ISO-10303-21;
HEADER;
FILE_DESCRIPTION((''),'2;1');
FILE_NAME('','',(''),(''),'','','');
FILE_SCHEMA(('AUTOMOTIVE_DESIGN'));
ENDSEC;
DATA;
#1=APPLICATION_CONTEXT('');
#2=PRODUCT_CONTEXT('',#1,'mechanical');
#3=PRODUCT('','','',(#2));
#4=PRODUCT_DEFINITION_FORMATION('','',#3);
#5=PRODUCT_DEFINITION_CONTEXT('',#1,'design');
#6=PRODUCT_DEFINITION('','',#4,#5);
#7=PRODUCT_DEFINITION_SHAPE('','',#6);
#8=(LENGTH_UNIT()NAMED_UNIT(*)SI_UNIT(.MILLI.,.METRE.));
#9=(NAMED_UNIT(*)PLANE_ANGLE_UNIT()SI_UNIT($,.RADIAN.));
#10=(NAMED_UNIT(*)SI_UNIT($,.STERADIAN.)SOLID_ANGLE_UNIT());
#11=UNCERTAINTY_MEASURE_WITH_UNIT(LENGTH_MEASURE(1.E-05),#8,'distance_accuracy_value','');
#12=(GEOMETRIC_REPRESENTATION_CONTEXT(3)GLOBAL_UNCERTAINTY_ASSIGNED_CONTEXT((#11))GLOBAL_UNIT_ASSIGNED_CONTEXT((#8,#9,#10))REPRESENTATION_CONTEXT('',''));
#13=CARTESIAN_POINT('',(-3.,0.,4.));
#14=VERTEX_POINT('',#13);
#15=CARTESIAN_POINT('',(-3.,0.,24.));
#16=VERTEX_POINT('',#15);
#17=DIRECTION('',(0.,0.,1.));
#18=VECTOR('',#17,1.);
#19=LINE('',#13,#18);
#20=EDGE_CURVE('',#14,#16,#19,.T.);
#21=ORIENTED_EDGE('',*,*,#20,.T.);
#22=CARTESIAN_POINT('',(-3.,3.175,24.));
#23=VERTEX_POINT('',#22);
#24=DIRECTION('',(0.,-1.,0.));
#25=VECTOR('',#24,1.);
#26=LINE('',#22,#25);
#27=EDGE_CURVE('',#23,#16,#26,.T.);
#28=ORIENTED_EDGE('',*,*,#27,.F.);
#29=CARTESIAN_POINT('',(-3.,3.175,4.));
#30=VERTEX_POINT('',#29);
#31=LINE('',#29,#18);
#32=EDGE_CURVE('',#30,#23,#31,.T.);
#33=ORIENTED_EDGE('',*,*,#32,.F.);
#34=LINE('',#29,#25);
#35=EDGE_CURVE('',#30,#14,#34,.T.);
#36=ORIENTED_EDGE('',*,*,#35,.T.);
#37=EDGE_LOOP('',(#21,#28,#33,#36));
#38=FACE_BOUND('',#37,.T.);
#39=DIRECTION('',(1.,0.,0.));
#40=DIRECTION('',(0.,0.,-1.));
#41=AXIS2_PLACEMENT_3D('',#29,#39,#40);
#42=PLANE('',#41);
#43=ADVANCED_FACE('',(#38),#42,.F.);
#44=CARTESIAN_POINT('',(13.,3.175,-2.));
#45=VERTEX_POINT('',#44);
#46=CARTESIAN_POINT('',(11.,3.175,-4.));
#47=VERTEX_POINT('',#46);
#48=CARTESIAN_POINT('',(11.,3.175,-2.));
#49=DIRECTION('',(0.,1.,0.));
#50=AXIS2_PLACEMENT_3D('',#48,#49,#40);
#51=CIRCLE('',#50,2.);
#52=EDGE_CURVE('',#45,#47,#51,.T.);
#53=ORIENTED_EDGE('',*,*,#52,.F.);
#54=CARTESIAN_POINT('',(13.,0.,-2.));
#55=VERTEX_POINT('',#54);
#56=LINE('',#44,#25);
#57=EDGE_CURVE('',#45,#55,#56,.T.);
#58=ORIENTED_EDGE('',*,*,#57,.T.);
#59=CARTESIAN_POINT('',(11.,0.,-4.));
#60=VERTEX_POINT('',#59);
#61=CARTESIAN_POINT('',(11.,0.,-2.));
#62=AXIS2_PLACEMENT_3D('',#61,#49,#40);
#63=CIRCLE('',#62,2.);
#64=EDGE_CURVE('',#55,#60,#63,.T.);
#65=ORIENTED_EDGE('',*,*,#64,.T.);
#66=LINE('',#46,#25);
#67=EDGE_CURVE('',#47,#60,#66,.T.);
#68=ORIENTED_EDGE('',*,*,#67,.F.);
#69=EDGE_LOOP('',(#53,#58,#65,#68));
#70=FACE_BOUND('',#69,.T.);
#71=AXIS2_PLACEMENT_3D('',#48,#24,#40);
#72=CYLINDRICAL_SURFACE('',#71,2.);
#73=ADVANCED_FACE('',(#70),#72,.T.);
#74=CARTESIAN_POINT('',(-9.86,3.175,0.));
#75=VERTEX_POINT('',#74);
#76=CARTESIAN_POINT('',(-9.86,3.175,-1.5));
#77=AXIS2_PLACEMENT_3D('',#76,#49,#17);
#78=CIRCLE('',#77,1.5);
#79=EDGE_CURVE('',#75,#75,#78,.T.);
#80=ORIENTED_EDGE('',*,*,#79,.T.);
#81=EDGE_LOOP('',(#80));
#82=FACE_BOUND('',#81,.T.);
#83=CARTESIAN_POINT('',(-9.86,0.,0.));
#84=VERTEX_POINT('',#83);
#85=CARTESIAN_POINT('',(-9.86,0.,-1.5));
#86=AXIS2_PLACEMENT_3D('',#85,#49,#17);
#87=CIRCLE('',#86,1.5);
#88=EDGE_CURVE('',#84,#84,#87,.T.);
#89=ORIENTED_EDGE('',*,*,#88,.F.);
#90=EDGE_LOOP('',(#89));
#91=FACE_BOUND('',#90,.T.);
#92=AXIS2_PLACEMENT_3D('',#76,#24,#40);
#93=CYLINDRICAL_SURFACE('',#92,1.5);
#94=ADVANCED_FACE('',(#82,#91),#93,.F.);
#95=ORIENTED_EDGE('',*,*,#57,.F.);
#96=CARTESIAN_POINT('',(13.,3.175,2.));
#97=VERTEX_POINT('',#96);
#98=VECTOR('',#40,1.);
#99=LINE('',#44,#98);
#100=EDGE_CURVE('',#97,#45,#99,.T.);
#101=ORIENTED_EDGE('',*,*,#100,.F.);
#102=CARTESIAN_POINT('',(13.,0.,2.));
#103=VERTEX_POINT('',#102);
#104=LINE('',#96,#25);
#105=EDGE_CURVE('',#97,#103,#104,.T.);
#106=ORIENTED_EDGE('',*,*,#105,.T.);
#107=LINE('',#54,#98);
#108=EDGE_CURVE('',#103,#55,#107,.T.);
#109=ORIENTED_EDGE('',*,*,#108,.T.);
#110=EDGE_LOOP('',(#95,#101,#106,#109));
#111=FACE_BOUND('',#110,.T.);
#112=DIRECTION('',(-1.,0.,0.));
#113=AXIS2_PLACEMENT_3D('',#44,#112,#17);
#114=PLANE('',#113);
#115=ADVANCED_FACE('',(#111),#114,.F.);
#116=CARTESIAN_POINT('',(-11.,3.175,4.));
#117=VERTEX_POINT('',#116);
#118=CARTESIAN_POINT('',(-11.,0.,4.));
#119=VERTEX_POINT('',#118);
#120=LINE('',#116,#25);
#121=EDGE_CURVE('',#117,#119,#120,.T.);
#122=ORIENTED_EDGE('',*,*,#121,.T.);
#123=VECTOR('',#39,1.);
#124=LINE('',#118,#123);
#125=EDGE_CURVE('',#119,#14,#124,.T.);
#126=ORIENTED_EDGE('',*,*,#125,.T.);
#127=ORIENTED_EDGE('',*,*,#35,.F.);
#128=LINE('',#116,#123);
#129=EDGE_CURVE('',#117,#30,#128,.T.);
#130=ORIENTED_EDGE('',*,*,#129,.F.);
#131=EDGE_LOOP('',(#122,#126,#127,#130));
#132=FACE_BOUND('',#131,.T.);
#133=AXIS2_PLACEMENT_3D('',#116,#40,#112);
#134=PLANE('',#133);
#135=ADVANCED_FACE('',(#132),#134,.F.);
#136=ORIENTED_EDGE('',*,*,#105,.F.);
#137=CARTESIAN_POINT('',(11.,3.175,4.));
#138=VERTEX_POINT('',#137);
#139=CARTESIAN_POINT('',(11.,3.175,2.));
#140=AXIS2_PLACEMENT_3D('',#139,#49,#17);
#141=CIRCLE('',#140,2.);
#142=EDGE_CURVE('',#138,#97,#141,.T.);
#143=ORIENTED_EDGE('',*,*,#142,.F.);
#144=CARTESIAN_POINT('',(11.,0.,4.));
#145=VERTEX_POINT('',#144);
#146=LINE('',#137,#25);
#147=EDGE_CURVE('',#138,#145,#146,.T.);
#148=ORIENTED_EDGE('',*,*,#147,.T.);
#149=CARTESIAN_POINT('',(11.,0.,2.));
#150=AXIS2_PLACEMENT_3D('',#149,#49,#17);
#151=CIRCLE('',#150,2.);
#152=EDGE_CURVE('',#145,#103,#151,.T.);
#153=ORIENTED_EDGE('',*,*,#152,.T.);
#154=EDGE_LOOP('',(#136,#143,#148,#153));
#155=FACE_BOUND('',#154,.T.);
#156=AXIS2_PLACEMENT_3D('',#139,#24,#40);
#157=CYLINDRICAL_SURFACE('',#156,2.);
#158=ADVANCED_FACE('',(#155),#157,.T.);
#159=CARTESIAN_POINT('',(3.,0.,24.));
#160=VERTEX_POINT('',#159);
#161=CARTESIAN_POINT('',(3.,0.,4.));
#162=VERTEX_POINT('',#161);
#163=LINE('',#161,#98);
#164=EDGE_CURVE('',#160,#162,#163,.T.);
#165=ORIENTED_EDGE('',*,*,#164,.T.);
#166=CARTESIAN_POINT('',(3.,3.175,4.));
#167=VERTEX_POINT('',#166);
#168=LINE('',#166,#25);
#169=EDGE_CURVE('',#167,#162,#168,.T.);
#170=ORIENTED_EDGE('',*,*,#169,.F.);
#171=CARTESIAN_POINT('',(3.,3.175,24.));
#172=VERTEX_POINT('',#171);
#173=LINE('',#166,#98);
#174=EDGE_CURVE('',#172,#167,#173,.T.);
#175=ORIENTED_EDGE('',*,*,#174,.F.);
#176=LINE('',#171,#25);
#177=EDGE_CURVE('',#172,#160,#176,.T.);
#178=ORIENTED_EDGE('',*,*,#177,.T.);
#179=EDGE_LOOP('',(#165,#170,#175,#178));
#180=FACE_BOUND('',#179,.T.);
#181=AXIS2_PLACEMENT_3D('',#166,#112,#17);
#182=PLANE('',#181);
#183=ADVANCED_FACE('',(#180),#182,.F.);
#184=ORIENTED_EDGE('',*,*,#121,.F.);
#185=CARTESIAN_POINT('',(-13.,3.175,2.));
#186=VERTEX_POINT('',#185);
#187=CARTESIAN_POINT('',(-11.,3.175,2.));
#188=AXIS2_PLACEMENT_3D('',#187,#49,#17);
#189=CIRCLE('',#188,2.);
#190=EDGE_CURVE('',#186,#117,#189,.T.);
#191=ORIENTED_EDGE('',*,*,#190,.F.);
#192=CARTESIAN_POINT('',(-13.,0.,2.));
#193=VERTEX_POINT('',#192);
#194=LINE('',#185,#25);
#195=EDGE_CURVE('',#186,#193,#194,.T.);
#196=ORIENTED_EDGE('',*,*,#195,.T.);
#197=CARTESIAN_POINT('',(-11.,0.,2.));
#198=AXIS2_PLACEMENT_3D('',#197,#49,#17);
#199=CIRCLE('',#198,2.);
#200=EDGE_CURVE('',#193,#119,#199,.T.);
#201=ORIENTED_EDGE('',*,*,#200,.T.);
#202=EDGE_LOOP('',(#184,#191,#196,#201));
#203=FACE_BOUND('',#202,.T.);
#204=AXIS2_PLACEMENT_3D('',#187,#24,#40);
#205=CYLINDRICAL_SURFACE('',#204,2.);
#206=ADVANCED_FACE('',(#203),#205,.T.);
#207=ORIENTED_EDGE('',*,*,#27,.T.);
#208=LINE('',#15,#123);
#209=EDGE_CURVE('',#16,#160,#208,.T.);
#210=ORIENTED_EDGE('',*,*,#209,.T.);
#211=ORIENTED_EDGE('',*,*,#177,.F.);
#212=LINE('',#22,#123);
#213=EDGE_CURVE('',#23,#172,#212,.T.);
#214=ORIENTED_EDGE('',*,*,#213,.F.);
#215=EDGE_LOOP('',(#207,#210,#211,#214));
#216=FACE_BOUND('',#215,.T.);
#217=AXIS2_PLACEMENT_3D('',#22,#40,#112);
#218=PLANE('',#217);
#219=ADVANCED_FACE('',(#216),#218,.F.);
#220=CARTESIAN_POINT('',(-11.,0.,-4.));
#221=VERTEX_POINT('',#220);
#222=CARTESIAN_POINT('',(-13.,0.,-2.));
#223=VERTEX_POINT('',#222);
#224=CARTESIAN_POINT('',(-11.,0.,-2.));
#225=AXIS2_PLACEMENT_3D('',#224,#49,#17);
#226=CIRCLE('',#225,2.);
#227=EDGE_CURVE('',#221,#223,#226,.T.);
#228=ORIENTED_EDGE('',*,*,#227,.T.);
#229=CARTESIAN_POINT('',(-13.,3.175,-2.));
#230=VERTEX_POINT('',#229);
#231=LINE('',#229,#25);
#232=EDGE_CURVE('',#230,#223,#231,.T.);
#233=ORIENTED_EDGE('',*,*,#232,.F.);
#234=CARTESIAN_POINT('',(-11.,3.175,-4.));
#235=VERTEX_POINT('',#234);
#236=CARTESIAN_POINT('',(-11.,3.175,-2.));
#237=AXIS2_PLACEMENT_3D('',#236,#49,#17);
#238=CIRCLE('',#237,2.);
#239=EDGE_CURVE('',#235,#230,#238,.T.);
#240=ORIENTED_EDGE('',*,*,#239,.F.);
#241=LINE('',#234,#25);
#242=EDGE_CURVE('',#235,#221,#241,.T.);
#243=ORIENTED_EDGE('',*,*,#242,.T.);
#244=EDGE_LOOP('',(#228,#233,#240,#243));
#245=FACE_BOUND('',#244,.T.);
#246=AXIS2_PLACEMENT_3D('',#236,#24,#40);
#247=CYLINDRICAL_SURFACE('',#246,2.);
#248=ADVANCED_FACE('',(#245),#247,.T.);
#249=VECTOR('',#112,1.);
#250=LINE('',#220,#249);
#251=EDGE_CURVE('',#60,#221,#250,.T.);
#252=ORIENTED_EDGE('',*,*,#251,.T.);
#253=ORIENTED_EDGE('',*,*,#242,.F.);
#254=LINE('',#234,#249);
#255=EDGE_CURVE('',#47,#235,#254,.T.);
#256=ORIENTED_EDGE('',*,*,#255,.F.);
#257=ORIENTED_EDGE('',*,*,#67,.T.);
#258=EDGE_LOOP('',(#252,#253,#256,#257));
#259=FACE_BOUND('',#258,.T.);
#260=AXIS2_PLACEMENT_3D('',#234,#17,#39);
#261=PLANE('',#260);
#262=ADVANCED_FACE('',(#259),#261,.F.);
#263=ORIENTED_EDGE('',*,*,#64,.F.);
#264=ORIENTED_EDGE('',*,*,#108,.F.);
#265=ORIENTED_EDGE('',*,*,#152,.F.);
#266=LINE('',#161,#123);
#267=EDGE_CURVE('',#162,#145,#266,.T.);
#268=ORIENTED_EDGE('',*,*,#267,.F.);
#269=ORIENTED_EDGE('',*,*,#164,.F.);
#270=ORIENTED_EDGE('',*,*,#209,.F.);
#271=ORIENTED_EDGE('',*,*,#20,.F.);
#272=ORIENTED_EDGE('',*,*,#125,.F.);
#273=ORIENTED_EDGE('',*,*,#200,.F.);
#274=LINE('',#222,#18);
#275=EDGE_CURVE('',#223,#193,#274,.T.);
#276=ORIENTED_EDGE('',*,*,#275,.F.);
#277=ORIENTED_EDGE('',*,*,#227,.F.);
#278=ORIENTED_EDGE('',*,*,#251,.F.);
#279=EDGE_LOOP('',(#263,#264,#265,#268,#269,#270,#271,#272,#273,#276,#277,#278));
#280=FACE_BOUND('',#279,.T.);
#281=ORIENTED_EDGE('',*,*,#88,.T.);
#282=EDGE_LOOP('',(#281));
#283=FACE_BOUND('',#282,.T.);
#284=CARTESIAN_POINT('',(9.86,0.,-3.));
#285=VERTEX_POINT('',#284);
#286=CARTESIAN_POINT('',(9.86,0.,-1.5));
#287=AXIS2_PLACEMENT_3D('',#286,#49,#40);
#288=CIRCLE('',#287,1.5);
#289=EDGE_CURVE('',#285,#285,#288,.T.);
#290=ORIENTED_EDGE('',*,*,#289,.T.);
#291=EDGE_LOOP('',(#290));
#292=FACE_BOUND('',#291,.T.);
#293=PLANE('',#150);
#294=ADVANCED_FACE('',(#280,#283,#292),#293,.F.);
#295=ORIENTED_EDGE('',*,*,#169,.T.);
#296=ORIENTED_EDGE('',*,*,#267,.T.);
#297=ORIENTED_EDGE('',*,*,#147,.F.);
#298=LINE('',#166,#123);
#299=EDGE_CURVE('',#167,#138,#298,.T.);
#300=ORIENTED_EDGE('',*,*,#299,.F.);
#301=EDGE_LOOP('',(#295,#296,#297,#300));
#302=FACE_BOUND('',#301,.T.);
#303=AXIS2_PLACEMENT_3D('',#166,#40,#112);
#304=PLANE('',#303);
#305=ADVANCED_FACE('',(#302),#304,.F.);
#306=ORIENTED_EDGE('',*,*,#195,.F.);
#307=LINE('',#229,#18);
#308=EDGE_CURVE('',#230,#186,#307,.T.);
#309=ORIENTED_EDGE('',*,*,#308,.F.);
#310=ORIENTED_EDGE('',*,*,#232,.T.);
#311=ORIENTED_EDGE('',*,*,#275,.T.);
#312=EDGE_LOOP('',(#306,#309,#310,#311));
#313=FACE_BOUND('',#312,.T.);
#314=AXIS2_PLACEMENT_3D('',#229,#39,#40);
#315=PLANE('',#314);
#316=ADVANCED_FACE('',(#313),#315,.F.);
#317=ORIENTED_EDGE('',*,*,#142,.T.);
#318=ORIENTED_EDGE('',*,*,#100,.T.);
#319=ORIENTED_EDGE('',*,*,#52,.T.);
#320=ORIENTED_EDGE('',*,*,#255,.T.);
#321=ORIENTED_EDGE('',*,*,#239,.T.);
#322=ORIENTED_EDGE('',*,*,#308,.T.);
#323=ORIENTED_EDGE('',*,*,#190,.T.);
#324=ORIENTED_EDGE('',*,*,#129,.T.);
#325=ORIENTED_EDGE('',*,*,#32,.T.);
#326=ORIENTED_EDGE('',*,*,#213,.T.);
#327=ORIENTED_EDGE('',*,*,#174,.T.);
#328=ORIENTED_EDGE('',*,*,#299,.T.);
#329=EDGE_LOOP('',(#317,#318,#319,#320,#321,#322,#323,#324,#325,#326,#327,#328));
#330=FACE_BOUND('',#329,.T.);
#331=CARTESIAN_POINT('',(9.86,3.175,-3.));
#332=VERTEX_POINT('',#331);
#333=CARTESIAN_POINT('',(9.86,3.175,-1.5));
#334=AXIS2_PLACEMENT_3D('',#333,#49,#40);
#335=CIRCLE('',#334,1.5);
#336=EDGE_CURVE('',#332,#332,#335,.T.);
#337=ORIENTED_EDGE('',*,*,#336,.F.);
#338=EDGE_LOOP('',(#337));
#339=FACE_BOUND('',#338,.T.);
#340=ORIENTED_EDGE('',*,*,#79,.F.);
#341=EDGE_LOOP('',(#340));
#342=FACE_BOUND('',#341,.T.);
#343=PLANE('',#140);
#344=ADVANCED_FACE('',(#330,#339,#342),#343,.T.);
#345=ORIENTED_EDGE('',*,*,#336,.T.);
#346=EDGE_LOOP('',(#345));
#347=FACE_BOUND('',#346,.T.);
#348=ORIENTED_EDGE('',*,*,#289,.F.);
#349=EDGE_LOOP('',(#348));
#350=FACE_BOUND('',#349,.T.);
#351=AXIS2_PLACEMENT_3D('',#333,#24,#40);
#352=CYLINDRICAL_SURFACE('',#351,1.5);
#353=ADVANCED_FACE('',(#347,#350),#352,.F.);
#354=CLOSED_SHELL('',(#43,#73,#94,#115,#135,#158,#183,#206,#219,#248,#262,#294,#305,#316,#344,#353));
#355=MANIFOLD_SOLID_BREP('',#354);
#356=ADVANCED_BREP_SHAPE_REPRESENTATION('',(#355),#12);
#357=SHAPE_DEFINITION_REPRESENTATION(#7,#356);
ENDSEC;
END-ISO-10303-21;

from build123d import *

# Parameters (mm, degrees)
SKETCH_1_R      = 1.5
EXTRUDE_1_DEPTH = 3.175


with BuildPart() as part:
    # 草图1 → 凸台-拉伸1 (new body)
    with BuildSketch(Plane(origin=(0, 0, 0), x_dir=(1, 0, 0), z_dir=(0, 1, 0))):
        with BuildLine():
            Line((-11, 4), (11, 4))
            ThreePointArc((11, 4), (12.414213562, 3.414213562), (13, 2))
            Line((13, 2), (13, -2))
            ThreePointArc((13, -2), (12.414213562, -3.414213562), (11, -4))
            Line((11, -4), (3, -4))
            Line((3, -4), (3, -24))
            Line((3, -24), (-3, -24))
            Line((-3, -24), (-3, -4))
            Line((-3, -4), (-11, -4))
            ThreePointArc((-11, -4), (-12.414213562, -3.414213562), (-13, -2))
            Line((-13, -2), (-13, 2))
            ThreePointArc((-13, 2), (-12.414213562, 3.414213562), (-11, 4))
        make_face()
        with Locations((-9.86, 1.5)):
            Circle(SKETCH_1_R, mode=Mode.SUBTRACT)
        with Locations((9.86, 1.5)):
            Circle(SKETCH_1_R, mode=Mode.SUBTRACT)
    extrude(amount=EXTRUDE_1_DEPTH)


solid = part.part
